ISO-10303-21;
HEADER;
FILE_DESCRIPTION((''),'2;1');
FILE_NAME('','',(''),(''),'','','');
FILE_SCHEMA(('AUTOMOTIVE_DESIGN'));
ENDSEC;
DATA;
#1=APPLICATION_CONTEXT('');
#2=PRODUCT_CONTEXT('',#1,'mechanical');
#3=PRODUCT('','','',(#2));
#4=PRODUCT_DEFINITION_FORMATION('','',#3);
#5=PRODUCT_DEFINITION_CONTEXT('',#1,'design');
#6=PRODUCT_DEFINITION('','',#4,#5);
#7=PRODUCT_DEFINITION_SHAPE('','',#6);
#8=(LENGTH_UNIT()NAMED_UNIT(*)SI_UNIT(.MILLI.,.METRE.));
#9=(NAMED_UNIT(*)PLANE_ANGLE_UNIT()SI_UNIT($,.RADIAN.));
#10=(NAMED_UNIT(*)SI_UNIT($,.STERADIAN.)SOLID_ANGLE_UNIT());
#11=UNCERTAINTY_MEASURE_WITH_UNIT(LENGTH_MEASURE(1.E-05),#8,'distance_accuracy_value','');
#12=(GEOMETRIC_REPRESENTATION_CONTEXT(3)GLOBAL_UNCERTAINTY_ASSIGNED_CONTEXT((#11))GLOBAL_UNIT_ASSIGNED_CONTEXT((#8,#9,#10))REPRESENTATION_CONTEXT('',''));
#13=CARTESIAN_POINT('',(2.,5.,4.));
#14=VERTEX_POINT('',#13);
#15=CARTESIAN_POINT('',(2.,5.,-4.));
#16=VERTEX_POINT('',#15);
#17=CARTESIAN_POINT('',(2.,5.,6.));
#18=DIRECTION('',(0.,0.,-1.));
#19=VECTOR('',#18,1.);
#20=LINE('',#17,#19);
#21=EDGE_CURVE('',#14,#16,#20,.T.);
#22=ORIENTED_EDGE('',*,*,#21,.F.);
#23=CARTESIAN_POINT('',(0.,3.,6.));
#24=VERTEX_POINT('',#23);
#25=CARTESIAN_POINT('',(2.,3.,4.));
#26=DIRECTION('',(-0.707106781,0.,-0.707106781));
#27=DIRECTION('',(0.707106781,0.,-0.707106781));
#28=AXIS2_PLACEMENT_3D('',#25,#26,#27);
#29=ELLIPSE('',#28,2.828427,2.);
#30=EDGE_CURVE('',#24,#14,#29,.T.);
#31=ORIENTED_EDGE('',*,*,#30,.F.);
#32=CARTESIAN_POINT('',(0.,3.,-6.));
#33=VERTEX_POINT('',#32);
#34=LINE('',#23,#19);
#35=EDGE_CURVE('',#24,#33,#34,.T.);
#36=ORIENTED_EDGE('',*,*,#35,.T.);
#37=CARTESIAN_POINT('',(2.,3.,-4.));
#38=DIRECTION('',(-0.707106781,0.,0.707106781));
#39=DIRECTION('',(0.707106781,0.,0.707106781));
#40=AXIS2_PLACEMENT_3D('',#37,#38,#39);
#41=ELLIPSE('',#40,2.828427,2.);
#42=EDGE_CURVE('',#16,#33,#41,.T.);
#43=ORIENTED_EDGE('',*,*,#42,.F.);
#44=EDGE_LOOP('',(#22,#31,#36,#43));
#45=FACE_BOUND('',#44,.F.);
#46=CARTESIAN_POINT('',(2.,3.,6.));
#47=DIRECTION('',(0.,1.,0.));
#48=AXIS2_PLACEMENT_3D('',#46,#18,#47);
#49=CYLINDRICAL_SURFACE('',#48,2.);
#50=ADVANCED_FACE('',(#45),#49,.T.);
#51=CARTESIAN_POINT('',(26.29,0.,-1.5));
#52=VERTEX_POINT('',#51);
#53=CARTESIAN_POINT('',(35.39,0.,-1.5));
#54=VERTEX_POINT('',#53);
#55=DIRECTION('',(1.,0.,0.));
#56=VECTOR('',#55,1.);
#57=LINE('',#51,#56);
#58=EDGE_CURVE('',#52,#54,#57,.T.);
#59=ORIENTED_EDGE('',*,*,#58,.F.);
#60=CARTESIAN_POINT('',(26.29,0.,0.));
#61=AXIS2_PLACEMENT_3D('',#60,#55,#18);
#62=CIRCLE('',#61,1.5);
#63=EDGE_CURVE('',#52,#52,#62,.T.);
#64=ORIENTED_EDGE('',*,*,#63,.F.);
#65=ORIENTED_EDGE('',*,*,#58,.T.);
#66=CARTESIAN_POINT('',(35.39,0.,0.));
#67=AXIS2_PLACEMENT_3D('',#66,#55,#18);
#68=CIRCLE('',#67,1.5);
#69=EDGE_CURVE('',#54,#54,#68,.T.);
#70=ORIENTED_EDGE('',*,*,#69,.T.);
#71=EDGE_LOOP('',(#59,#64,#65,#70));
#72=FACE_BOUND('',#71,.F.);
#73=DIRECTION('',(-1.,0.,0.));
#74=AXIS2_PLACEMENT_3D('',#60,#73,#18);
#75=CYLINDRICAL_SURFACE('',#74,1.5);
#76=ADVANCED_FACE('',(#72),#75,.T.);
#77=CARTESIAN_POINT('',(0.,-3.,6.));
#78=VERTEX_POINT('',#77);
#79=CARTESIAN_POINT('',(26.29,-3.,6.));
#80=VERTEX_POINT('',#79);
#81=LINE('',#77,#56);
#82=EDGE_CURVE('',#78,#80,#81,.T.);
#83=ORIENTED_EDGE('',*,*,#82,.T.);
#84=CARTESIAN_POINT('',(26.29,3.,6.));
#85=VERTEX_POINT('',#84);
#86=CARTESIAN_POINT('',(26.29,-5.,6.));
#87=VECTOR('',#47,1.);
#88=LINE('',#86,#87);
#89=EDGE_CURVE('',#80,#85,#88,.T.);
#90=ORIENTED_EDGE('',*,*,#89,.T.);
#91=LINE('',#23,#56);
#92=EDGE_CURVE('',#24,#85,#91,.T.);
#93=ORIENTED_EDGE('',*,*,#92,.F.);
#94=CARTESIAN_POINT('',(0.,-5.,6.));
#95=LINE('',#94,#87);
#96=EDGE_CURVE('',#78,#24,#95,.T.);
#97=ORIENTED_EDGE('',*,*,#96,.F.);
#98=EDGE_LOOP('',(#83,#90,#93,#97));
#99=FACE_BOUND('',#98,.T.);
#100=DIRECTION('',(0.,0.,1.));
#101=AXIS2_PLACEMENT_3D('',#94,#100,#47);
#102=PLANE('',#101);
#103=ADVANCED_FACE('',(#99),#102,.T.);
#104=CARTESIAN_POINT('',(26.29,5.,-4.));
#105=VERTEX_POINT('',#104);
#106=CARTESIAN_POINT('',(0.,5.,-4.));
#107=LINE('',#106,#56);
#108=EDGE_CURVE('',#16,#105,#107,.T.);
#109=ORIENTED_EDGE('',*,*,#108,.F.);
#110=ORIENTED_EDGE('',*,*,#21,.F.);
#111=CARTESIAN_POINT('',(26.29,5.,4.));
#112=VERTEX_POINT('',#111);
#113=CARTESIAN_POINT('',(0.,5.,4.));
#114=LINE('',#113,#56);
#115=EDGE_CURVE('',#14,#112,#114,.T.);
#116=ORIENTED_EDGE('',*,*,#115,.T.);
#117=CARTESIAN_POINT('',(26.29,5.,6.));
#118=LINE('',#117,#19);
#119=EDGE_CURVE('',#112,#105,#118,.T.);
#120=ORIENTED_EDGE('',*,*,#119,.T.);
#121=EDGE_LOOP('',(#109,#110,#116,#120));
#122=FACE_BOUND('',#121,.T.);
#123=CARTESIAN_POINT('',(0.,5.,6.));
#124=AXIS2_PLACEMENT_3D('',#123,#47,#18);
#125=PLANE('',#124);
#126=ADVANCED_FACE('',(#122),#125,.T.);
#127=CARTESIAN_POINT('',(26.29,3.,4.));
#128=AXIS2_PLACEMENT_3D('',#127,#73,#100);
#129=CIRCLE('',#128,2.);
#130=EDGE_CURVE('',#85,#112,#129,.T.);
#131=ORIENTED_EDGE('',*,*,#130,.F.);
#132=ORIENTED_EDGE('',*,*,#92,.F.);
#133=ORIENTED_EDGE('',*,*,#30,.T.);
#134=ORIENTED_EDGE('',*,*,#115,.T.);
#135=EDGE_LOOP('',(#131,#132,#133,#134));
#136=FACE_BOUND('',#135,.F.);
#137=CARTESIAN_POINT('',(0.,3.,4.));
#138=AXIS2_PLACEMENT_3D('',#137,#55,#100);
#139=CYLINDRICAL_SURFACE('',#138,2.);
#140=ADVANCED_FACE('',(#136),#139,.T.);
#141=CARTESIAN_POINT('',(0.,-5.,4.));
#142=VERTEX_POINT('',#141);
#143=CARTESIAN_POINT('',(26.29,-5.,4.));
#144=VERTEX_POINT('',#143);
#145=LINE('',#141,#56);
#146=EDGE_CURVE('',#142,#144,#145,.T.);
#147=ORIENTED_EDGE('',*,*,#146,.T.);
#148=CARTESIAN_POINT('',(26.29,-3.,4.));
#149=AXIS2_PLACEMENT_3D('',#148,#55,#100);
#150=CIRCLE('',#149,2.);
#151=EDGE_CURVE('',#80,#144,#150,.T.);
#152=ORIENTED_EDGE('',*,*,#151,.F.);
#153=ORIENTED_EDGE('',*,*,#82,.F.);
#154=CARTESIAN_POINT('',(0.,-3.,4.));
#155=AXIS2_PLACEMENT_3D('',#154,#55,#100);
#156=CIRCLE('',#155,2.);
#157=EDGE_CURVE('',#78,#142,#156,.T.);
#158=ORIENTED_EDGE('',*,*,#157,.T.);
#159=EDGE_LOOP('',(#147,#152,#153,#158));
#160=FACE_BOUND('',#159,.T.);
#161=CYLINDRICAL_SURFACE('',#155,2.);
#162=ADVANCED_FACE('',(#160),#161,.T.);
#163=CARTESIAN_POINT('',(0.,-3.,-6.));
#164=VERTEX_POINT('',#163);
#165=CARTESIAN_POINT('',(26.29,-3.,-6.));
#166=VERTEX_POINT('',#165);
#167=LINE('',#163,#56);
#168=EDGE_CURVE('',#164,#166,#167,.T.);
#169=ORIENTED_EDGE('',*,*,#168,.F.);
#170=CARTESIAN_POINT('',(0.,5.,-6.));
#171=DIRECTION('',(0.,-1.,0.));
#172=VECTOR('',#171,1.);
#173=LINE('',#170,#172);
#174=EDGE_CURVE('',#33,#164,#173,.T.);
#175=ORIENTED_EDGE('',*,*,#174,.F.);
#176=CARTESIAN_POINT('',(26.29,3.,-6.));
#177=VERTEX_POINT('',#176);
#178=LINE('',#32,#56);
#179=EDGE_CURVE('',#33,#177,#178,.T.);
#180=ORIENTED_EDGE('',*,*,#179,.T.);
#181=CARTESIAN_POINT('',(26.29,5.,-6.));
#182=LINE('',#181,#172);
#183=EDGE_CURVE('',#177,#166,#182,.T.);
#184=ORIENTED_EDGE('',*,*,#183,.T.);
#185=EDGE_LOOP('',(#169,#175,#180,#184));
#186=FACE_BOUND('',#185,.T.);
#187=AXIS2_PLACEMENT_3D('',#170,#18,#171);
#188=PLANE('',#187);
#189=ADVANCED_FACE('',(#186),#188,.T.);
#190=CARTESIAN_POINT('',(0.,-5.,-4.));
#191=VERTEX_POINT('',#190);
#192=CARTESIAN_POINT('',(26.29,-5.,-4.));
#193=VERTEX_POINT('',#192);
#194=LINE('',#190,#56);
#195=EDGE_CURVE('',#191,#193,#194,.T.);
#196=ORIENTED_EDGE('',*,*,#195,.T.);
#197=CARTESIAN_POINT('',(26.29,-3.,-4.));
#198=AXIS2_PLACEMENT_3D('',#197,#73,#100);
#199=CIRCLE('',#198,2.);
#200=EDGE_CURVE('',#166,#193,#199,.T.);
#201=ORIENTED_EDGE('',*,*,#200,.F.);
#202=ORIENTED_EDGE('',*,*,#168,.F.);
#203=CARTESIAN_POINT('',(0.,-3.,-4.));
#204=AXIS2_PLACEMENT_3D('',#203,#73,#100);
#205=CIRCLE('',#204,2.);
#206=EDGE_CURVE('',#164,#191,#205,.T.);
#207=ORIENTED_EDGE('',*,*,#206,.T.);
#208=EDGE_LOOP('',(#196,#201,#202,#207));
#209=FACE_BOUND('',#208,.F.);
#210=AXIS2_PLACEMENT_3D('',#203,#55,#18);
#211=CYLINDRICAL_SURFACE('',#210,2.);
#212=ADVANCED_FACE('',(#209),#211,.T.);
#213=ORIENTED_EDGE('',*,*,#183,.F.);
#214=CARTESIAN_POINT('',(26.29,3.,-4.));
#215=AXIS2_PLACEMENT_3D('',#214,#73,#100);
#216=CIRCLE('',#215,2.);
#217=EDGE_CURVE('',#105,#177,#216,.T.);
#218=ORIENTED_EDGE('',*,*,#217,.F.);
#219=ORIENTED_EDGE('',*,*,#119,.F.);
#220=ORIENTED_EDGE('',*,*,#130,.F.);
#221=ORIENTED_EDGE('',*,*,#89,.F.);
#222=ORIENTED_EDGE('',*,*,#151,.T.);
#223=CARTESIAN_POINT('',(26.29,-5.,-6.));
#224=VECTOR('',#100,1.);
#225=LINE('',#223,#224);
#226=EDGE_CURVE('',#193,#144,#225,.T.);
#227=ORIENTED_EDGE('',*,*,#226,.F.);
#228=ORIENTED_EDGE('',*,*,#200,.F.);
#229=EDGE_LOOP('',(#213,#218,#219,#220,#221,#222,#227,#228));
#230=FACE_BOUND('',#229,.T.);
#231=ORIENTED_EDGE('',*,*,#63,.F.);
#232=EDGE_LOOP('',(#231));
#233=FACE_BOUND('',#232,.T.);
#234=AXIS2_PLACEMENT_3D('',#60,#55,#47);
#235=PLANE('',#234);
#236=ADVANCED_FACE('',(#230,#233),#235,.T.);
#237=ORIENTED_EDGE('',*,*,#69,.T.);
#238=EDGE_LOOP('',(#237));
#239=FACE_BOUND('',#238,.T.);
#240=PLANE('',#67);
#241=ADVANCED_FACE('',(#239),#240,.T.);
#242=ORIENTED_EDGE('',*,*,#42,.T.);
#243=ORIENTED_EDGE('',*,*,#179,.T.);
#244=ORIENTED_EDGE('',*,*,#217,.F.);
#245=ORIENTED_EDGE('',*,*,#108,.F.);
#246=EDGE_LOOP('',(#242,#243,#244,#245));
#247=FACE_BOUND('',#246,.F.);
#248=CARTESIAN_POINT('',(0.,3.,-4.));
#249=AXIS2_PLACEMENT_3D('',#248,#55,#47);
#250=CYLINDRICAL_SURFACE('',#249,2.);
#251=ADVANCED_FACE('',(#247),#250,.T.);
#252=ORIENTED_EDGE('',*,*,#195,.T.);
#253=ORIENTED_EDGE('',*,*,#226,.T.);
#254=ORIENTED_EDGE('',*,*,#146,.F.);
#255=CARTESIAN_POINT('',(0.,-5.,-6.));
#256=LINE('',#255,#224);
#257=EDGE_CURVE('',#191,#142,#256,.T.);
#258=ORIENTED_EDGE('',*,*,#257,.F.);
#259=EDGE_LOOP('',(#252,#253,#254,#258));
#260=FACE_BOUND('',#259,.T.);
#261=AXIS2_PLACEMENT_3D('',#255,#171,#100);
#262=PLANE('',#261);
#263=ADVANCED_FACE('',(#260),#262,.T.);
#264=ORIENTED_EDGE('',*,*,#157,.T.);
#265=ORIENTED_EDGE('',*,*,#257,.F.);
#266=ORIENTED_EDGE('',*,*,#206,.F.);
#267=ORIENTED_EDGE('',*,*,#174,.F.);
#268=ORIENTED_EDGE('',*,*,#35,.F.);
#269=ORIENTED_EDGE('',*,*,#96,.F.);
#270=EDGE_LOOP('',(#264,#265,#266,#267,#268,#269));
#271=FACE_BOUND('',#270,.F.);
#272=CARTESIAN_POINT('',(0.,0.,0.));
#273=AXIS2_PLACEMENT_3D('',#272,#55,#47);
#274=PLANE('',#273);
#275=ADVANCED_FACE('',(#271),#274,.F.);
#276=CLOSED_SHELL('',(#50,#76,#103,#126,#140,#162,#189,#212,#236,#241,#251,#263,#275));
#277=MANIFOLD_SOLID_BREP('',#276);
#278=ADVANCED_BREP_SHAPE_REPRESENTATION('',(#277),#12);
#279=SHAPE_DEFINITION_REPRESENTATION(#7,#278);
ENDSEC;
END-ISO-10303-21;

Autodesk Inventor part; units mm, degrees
ref_plane "YZ Plane" through (0, 0, 0) normal (1, 0, 0) x (0, 1, 0)
ref_plane "XZ Plane" through (0, 0, 0) normal (0, 1, 0) x (-1, 0, 0)
ref_plane "XY Plane" through (0, 0, 0) normal (0, 0, 1) x (1, 0, 0)
sketch "Sketch1" plane through (0, 0, 0) normal (1, 0, 0) x (0, 1, 0)
  line L0 (-5, 6) -> (5, 6)
  line L1 (5, 6) -> (5, -6)
  line L2 (5, -6) -> (-5, -6)
  line L3 (-5, -6) -> (-5, 6)
  line L4 (-5, 6) -> (5, -6) construction
  line L5 (5, 6) -> (-5, -6) construction
  point P0 (0, 0)
  dimension "d0" = 10
  dimension "d1" = 12
extrude "Extrusion1" add sketch "Sketch1" along normal blind 26.29
sketch "Sketch2" plane through (26.29, 0, 0) normal (1, 0, 0) x (0, 0, -1)
  circle A0 centre (0, 0) radius 1.5
  dimension "d4" = 3
fillet "Fillet1" radius 2 5 edges at (13.145, 5, 6) (13.145, 5, -6) (13.145, -5, 6) (13.145, -5, -6) (0, 5, 0)
extrude "Extrusion2" add sketch "Sketch2" along normal blind 9.1
properties part number "motor" material "Aluminum 6061"
